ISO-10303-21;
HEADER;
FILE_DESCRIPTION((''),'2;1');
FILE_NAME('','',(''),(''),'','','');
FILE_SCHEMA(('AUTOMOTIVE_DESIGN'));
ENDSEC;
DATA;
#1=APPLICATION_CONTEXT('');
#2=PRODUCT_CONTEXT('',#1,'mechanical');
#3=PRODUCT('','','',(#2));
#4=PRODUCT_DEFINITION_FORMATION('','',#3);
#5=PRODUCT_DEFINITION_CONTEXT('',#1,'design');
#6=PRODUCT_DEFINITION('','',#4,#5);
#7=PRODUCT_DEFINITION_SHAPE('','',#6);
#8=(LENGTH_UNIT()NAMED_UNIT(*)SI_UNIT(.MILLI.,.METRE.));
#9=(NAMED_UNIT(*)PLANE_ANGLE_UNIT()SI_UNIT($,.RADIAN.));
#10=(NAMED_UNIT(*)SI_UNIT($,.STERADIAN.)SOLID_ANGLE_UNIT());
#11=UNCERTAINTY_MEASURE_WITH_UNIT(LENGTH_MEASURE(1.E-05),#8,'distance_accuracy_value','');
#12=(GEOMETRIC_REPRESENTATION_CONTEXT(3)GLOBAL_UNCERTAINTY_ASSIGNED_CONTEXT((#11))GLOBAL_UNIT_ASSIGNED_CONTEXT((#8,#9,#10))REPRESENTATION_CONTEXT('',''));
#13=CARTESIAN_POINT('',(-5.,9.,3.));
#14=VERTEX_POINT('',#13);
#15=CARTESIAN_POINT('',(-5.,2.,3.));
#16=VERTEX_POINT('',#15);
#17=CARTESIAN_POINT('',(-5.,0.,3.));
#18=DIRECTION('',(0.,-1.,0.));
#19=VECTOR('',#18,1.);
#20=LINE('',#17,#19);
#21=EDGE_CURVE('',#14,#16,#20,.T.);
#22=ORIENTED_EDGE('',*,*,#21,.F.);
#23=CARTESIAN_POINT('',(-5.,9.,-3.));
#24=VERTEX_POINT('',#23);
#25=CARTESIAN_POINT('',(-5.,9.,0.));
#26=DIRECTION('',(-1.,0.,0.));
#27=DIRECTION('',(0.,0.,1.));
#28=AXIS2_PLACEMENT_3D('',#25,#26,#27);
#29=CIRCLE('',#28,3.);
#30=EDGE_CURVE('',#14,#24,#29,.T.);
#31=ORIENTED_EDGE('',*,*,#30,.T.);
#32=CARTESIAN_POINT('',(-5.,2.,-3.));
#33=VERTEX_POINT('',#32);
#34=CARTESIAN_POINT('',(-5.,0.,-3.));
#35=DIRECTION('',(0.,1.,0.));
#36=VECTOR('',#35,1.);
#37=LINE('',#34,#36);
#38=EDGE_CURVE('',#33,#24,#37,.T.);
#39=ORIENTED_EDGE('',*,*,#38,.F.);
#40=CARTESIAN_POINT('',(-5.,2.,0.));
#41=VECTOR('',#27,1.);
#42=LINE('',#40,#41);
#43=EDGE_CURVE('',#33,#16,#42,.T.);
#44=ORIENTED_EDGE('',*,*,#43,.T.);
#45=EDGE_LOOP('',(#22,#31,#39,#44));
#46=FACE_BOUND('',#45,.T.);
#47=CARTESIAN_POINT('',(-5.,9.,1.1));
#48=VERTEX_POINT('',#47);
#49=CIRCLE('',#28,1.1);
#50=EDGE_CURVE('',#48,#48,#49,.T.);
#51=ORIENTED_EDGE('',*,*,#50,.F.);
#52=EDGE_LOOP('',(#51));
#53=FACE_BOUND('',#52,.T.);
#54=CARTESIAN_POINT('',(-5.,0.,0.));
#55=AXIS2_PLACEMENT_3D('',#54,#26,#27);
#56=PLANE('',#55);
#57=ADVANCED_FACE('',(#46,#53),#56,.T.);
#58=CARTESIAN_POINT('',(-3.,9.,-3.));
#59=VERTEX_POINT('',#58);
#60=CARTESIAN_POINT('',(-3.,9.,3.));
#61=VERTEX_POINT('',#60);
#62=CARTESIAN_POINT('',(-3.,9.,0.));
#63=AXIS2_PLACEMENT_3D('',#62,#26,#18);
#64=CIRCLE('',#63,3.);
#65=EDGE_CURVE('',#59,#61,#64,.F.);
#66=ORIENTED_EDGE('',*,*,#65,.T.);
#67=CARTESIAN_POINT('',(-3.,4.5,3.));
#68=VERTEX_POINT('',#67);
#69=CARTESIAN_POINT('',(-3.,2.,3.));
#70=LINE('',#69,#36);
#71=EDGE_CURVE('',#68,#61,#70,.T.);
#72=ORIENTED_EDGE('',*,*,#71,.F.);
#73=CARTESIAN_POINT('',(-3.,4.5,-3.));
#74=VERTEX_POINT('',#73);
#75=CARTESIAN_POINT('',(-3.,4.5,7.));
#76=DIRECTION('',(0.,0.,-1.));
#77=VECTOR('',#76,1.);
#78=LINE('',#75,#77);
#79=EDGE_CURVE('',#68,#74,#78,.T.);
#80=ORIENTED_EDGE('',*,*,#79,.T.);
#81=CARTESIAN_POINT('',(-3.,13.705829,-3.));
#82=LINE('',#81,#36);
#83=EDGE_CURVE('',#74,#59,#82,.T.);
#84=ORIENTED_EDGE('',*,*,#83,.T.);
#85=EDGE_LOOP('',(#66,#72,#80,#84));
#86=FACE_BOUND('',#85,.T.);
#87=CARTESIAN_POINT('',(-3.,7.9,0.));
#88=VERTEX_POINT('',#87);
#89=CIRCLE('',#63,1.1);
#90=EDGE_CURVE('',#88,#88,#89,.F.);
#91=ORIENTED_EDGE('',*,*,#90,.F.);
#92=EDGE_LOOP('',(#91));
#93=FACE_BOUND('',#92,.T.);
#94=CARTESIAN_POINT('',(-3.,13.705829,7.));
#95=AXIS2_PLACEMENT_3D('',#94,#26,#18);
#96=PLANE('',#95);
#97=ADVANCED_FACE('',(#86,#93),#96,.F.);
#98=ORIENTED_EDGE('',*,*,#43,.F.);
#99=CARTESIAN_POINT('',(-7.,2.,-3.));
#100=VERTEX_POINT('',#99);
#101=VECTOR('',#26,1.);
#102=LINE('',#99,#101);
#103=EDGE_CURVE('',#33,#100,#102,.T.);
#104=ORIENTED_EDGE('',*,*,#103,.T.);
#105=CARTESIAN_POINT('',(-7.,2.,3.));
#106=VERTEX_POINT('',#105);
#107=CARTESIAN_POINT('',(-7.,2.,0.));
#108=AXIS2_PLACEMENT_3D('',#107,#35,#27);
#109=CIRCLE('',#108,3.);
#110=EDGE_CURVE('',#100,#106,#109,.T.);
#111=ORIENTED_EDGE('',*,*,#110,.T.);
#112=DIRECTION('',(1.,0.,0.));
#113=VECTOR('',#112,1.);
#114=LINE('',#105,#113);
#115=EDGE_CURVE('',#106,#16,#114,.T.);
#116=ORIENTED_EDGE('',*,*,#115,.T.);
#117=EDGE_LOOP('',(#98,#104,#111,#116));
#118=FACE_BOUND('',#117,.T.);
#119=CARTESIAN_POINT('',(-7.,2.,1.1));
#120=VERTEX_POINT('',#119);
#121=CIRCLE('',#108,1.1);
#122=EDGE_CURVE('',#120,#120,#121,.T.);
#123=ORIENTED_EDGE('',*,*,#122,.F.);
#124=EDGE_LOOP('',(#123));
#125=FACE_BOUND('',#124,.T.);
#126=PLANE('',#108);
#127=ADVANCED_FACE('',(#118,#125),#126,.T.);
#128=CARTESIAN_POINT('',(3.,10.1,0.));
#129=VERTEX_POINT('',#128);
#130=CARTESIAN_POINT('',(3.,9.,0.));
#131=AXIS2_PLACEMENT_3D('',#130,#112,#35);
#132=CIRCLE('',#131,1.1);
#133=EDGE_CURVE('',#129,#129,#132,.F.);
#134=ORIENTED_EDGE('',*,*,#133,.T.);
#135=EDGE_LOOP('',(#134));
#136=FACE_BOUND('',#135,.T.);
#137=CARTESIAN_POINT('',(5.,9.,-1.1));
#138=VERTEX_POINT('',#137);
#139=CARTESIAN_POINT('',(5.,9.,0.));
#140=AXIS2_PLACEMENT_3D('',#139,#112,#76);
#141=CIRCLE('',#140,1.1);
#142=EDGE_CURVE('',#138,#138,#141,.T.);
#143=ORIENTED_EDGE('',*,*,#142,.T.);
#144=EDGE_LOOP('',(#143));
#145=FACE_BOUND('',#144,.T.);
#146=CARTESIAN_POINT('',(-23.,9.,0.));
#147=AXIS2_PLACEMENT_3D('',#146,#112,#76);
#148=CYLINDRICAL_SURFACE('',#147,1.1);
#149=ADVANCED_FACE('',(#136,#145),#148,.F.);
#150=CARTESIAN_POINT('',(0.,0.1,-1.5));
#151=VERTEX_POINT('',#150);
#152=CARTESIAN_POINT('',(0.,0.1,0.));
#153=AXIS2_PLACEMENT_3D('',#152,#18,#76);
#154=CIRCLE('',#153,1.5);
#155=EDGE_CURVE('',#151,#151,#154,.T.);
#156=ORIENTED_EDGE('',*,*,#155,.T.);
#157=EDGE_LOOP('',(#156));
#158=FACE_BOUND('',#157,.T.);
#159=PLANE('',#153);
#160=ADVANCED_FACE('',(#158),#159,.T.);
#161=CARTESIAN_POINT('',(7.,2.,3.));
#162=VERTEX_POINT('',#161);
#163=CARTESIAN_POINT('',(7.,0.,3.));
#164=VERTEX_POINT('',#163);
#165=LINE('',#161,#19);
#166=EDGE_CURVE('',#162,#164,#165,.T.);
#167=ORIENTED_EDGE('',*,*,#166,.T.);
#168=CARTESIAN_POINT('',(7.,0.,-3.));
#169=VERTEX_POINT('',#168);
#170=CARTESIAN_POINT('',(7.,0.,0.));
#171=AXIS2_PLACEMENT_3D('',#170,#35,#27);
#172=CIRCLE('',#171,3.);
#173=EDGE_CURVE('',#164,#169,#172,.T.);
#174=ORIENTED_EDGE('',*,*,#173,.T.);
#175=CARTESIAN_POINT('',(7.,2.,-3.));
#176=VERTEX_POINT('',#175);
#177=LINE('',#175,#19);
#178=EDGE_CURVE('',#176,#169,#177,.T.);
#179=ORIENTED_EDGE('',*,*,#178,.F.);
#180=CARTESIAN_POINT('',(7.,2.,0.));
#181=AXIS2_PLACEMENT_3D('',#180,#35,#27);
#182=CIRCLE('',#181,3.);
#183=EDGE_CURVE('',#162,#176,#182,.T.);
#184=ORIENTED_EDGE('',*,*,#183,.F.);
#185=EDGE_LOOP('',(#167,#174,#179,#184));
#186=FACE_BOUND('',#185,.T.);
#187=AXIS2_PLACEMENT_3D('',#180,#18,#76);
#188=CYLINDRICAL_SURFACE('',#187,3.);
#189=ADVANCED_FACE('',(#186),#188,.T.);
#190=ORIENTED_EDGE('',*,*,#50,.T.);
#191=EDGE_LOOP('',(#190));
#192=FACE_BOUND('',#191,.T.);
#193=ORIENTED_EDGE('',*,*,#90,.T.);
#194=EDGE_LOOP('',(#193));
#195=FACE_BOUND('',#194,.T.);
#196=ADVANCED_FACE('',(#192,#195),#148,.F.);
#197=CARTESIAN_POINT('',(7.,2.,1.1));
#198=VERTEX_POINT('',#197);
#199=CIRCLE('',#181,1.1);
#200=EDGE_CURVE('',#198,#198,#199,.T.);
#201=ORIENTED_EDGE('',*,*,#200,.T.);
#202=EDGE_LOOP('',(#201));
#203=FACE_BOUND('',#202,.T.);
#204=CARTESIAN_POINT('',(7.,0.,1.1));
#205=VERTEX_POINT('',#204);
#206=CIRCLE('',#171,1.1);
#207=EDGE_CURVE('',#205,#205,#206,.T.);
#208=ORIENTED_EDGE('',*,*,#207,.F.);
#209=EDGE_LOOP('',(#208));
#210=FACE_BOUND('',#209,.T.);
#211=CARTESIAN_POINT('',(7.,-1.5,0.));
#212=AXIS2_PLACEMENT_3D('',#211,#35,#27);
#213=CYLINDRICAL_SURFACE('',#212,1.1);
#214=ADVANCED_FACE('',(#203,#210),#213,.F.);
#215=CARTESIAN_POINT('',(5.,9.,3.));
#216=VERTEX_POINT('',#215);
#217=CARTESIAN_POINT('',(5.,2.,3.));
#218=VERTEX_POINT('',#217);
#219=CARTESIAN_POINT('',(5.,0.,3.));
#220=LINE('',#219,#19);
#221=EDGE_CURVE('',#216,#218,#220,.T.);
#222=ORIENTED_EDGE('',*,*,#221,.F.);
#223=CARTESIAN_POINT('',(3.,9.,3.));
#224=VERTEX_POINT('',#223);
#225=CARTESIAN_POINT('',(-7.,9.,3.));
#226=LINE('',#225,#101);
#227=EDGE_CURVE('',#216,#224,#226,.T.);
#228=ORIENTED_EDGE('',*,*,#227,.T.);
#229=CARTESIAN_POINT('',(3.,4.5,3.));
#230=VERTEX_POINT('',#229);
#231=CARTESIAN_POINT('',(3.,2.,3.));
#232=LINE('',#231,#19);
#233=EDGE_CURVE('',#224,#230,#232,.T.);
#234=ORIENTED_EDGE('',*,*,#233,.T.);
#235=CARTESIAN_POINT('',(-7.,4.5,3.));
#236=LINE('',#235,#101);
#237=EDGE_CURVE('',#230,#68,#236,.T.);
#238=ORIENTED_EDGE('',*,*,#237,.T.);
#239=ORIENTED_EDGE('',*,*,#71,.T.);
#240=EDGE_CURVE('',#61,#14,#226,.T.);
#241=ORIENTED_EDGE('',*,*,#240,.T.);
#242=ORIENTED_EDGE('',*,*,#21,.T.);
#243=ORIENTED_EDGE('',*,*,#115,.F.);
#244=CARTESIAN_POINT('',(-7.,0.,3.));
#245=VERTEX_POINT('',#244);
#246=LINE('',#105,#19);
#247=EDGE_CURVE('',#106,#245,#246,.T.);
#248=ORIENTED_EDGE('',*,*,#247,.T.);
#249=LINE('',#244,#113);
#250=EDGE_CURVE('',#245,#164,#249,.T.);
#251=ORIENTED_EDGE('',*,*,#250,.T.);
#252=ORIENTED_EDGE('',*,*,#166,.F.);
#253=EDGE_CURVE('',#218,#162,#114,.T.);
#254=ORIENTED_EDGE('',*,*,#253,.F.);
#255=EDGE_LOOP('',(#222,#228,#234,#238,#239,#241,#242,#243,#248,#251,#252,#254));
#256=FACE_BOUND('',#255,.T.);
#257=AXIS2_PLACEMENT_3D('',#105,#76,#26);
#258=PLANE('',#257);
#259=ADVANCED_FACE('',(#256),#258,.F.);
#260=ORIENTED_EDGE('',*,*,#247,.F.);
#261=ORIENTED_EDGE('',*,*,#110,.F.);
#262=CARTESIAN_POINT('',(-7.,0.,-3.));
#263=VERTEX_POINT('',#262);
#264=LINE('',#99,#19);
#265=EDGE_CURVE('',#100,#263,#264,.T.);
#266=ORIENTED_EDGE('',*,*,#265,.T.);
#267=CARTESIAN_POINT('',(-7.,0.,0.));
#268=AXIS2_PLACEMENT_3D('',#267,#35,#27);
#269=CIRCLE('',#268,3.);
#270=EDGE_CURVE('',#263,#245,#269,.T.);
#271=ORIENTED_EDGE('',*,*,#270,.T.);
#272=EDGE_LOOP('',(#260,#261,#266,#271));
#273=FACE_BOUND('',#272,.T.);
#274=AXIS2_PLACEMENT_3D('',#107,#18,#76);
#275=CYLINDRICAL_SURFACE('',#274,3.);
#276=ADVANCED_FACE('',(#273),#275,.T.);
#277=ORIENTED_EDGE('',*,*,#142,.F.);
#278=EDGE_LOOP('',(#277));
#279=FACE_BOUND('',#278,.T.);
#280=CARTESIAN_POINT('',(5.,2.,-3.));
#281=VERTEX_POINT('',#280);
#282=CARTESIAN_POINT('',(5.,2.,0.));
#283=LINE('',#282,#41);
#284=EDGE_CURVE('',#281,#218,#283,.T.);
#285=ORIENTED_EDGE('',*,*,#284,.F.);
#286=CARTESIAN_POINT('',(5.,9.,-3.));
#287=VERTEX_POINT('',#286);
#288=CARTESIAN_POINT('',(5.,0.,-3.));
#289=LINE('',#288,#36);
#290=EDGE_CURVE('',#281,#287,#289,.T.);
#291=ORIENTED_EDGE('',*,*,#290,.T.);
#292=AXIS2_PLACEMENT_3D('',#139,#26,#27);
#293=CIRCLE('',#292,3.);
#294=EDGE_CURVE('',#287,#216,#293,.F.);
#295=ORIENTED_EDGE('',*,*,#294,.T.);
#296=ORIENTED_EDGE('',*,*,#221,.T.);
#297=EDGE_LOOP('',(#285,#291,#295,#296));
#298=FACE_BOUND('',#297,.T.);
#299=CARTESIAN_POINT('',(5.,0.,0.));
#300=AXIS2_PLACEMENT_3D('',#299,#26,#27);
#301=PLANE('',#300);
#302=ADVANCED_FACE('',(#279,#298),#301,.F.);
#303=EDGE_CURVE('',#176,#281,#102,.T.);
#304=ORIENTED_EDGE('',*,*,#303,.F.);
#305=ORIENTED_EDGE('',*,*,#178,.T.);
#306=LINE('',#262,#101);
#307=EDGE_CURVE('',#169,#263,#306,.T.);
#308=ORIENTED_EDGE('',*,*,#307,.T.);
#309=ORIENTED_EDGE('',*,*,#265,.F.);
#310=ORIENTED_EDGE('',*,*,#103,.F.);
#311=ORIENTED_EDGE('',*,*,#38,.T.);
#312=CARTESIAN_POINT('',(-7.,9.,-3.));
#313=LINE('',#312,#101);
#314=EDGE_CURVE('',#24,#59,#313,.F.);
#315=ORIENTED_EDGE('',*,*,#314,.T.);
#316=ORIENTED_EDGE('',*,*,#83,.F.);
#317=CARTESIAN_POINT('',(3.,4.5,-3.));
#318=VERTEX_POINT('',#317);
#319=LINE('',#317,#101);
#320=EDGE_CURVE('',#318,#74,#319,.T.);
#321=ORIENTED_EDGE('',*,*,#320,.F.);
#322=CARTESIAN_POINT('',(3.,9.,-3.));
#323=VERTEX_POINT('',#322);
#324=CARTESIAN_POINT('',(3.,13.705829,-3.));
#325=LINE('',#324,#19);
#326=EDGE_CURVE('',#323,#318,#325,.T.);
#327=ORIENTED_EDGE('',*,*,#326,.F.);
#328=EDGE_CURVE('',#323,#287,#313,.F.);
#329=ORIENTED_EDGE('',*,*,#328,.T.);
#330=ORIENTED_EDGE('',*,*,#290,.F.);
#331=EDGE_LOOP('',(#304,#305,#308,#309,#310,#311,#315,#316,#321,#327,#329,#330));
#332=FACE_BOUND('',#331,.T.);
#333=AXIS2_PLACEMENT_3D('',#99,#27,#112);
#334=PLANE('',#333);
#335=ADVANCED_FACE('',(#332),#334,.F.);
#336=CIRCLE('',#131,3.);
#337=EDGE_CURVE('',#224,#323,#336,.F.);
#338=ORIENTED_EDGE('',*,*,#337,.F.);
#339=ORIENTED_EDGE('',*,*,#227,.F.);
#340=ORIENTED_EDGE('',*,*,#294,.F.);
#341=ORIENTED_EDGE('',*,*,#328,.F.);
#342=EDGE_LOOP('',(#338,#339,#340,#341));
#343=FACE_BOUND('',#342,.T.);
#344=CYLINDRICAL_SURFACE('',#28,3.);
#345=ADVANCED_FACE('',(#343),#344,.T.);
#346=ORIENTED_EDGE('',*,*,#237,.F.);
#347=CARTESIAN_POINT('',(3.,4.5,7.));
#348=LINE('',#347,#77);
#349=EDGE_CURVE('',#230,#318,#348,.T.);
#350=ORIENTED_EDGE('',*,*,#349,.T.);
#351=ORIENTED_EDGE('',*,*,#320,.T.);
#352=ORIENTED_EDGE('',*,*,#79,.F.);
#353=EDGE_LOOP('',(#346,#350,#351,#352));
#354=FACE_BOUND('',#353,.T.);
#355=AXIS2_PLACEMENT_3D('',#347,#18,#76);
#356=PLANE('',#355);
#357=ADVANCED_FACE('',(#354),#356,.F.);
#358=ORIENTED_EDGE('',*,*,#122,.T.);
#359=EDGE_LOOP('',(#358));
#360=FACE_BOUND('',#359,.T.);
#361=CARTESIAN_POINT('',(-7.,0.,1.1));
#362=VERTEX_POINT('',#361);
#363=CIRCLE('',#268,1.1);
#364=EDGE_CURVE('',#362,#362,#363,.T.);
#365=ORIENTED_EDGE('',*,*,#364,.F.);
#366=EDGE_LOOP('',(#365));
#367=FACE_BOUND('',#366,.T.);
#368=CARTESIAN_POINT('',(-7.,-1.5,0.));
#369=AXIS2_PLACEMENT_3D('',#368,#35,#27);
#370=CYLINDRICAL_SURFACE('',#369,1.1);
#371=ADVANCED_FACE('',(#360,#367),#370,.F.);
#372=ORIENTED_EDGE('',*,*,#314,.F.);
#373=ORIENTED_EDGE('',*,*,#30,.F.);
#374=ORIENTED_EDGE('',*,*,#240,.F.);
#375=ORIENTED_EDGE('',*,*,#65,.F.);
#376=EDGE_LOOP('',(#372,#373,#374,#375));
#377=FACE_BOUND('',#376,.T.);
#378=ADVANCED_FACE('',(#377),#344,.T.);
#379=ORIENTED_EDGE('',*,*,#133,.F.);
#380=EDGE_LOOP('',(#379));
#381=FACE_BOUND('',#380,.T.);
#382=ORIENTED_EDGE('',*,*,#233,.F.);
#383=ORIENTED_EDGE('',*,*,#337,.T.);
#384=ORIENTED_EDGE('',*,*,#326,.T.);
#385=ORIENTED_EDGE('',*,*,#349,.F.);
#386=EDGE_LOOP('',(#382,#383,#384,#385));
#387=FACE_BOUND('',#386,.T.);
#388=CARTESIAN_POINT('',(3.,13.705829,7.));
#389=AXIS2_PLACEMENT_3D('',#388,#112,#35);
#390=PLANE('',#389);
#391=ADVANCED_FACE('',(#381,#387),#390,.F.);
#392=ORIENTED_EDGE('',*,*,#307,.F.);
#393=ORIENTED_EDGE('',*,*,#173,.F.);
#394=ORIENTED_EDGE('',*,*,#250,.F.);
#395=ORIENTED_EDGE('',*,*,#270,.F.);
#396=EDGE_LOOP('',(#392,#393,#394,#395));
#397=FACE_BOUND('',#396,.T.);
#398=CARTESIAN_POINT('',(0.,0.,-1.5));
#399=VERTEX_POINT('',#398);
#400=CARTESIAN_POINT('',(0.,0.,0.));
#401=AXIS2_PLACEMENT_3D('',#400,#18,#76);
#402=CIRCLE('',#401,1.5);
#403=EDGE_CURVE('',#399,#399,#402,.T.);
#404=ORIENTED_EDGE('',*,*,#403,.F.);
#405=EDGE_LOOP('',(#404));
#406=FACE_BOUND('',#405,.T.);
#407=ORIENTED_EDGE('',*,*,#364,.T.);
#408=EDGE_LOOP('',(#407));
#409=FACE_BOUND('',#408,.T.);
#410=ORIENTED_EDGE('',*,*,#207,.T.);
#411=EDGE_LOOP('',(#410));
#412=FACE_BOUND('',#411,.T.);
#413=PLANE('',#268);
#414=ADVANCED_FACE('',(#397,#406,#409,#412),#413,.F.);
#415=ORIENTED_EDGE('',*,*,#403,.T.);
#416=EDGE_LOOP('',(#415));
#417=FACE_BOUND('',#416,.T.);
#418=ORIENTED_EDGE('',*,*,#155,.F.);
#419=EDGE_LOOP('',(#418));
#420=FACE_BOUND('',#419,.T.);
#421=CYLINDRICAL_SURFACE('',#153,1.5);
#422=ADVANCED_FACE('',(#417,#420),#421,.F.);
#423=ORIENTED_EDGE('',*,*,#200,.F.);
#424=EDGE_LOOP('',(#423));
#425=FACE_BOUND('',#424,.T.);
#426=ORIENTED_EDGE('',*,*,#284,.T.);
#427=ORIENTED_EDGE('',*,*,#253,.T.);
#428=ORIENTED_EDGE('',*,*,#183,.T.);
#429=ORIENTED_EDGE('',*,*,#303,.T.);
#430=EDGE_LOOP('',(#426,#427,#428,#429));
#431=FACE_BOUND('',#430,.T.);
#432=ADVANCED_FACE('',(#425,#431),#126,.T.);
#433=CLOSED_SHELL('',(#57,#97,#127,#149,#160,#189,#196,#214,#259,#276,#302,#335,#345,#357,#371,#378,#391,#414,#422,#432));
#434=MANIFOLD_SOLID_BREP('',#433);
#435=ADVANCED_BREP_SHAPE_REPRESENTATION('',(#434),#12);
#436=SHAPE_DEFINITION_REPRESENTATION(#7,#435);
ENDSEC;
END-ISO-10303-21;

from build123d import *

# Parameters (mm, degrees)
EXTRUDE_1_DEPTH     = 2
SKETCH_2_W          = 6
SKETCH_2_H          = 12
EXTRUDE_2_DEPTH     = 5
FILLET_1_RADIUS     = 3
FILLET_1_LENGTH     = 10
SKETCH_4_R          = 1.1
CUT_EXTRUDE_2_DEPTH = 28
SKETCH_7_R          = 1.1
CUT_EXTRUDE_5_DEPTH = 3.5
SKETCH_9_R          = 1.5
CUT_EXTRUDE_7_DEPTH = 0.1
SKETCH_15_W         = 6
SKETCH_15_H         = 9.205828816
CUT_EXTRUDE_8_DEPTH = 10


with BuildPart() as part:
    # 草图1 → 凸台-拉伸1 (new body)
    with BuildSketch(Plane(origin=(0, 0, 0), x_dir=(1, 0, 0), z_dir=(0, 1, 0))):
        with BuildLine():
            Line((-7, 3), (7, 3))
            ThreePointArc((7, 3), (10, 0), (7, -3))
            Line((7, -3), (-7, -3))
            ThreePointArc((-7, -3), (-10, 0), (-7, 3))
        make_face()
    extrude(amount=EXTRUDE_1_DEPTH)

    # 草图2 → 凸台-拉伸2 (add, symmetric)
    with BuildSketch(Plane(origin=(0, 0, 0), x_dir=(0, 0, -1), z_dir=(1, 0, 0))):
        with Locations((0, 6)):
            Rectangle(SKETCH_2_W, SKETCH_2_H)
    extrude(amount=EXTRUDE_2_DEPTH, both=True)

    # 圆角1: full round fillet: the end face becomes a half cylinder, R = half its width
    fillet_1_face = Plane((0, 12, 0), x_dir=(1, 0, 0), z_dir=(0, 1, 0))  # on the end face: x along it, z out of the body
    fillet_1_slab = fillet_1_face.offset(-FILLET_1_RADIUS / 2) * Box(FILLET_1_LENGTH, 2 * FILLET_1_RADIUS, FILLET_1_RADIUS, mode=Mode.PRIVATE)  # the body's end, R deep
    fillet_1_round = Plane((0, 9, 0), x_dir=(0, 1, 0), z_dir=(1, 0, 0)) * Cylinder(FILLET_1_RADIUS, FILLET_1_LENGTH, mode=Mode.PRIVATE)  # its axis R under the face
    add(fillet_1_slab - fillet_1_round, mode=Mode.SUBTRACT)

    # 草图4 → 切除-拉伸2 (cut)
    with BuildSketch(Plane(origin=(5, 0, 0), x_dir=(0, 0, -1), z_dir=(1, 0, 0))):
        with Locations((0, 9)):
            Circle(SKETCH_4_R)
    extrude(amount=-CUT_EXTRUDE_2_DEPTH, mode=Mode.SUBTRACT)

    # 草图7 → 切除-拉伸5 (cut)
    with BuildSketch(Plane(origin=(0, 2, 0), x_dir=(1, 0, 0), z_dir=(0, 1, 0))):
        with Locations(Location((7, 0, 0), (0, 0, 270))):
            Circle(SKETCH_7_R)
        with Locations(Location((-7, 0, 0), (0, 0, 270))):
            Circle(SKETCH_7_R)
    extrude(amount=-CUT_EXTRUDE_5_DEPTH, mode=Mode.SUBTRACT)

    # 草图9 → 切除-拉伸7 (cut)
    with BuildSketch(Plane.XZ):
        with Locations(Location((0, 0, 0), (0, 0, 270))):
            Circle(SKETCH_9_R)
    extrude(amount=-CUT_EXTRUDE_7_DEPTH, mode=Mode.SUBTRACT)

    # 草图15 → 切除-拉伸8 (cut)
    with BuildSketch(Plane(origin=(0, 0, -3), x_dir=(-1, 0, 0), z_dir=(0, 0, -1))):
        with Locations((0, 9.102914408)):
            Rectangle(SKETCH_15_W, SKETCH_15_H)
    extrude(amount=-CUT_EXTRUDE_8_DEPTH, mode=Mode.SUBTRACT)


solid = part.part
